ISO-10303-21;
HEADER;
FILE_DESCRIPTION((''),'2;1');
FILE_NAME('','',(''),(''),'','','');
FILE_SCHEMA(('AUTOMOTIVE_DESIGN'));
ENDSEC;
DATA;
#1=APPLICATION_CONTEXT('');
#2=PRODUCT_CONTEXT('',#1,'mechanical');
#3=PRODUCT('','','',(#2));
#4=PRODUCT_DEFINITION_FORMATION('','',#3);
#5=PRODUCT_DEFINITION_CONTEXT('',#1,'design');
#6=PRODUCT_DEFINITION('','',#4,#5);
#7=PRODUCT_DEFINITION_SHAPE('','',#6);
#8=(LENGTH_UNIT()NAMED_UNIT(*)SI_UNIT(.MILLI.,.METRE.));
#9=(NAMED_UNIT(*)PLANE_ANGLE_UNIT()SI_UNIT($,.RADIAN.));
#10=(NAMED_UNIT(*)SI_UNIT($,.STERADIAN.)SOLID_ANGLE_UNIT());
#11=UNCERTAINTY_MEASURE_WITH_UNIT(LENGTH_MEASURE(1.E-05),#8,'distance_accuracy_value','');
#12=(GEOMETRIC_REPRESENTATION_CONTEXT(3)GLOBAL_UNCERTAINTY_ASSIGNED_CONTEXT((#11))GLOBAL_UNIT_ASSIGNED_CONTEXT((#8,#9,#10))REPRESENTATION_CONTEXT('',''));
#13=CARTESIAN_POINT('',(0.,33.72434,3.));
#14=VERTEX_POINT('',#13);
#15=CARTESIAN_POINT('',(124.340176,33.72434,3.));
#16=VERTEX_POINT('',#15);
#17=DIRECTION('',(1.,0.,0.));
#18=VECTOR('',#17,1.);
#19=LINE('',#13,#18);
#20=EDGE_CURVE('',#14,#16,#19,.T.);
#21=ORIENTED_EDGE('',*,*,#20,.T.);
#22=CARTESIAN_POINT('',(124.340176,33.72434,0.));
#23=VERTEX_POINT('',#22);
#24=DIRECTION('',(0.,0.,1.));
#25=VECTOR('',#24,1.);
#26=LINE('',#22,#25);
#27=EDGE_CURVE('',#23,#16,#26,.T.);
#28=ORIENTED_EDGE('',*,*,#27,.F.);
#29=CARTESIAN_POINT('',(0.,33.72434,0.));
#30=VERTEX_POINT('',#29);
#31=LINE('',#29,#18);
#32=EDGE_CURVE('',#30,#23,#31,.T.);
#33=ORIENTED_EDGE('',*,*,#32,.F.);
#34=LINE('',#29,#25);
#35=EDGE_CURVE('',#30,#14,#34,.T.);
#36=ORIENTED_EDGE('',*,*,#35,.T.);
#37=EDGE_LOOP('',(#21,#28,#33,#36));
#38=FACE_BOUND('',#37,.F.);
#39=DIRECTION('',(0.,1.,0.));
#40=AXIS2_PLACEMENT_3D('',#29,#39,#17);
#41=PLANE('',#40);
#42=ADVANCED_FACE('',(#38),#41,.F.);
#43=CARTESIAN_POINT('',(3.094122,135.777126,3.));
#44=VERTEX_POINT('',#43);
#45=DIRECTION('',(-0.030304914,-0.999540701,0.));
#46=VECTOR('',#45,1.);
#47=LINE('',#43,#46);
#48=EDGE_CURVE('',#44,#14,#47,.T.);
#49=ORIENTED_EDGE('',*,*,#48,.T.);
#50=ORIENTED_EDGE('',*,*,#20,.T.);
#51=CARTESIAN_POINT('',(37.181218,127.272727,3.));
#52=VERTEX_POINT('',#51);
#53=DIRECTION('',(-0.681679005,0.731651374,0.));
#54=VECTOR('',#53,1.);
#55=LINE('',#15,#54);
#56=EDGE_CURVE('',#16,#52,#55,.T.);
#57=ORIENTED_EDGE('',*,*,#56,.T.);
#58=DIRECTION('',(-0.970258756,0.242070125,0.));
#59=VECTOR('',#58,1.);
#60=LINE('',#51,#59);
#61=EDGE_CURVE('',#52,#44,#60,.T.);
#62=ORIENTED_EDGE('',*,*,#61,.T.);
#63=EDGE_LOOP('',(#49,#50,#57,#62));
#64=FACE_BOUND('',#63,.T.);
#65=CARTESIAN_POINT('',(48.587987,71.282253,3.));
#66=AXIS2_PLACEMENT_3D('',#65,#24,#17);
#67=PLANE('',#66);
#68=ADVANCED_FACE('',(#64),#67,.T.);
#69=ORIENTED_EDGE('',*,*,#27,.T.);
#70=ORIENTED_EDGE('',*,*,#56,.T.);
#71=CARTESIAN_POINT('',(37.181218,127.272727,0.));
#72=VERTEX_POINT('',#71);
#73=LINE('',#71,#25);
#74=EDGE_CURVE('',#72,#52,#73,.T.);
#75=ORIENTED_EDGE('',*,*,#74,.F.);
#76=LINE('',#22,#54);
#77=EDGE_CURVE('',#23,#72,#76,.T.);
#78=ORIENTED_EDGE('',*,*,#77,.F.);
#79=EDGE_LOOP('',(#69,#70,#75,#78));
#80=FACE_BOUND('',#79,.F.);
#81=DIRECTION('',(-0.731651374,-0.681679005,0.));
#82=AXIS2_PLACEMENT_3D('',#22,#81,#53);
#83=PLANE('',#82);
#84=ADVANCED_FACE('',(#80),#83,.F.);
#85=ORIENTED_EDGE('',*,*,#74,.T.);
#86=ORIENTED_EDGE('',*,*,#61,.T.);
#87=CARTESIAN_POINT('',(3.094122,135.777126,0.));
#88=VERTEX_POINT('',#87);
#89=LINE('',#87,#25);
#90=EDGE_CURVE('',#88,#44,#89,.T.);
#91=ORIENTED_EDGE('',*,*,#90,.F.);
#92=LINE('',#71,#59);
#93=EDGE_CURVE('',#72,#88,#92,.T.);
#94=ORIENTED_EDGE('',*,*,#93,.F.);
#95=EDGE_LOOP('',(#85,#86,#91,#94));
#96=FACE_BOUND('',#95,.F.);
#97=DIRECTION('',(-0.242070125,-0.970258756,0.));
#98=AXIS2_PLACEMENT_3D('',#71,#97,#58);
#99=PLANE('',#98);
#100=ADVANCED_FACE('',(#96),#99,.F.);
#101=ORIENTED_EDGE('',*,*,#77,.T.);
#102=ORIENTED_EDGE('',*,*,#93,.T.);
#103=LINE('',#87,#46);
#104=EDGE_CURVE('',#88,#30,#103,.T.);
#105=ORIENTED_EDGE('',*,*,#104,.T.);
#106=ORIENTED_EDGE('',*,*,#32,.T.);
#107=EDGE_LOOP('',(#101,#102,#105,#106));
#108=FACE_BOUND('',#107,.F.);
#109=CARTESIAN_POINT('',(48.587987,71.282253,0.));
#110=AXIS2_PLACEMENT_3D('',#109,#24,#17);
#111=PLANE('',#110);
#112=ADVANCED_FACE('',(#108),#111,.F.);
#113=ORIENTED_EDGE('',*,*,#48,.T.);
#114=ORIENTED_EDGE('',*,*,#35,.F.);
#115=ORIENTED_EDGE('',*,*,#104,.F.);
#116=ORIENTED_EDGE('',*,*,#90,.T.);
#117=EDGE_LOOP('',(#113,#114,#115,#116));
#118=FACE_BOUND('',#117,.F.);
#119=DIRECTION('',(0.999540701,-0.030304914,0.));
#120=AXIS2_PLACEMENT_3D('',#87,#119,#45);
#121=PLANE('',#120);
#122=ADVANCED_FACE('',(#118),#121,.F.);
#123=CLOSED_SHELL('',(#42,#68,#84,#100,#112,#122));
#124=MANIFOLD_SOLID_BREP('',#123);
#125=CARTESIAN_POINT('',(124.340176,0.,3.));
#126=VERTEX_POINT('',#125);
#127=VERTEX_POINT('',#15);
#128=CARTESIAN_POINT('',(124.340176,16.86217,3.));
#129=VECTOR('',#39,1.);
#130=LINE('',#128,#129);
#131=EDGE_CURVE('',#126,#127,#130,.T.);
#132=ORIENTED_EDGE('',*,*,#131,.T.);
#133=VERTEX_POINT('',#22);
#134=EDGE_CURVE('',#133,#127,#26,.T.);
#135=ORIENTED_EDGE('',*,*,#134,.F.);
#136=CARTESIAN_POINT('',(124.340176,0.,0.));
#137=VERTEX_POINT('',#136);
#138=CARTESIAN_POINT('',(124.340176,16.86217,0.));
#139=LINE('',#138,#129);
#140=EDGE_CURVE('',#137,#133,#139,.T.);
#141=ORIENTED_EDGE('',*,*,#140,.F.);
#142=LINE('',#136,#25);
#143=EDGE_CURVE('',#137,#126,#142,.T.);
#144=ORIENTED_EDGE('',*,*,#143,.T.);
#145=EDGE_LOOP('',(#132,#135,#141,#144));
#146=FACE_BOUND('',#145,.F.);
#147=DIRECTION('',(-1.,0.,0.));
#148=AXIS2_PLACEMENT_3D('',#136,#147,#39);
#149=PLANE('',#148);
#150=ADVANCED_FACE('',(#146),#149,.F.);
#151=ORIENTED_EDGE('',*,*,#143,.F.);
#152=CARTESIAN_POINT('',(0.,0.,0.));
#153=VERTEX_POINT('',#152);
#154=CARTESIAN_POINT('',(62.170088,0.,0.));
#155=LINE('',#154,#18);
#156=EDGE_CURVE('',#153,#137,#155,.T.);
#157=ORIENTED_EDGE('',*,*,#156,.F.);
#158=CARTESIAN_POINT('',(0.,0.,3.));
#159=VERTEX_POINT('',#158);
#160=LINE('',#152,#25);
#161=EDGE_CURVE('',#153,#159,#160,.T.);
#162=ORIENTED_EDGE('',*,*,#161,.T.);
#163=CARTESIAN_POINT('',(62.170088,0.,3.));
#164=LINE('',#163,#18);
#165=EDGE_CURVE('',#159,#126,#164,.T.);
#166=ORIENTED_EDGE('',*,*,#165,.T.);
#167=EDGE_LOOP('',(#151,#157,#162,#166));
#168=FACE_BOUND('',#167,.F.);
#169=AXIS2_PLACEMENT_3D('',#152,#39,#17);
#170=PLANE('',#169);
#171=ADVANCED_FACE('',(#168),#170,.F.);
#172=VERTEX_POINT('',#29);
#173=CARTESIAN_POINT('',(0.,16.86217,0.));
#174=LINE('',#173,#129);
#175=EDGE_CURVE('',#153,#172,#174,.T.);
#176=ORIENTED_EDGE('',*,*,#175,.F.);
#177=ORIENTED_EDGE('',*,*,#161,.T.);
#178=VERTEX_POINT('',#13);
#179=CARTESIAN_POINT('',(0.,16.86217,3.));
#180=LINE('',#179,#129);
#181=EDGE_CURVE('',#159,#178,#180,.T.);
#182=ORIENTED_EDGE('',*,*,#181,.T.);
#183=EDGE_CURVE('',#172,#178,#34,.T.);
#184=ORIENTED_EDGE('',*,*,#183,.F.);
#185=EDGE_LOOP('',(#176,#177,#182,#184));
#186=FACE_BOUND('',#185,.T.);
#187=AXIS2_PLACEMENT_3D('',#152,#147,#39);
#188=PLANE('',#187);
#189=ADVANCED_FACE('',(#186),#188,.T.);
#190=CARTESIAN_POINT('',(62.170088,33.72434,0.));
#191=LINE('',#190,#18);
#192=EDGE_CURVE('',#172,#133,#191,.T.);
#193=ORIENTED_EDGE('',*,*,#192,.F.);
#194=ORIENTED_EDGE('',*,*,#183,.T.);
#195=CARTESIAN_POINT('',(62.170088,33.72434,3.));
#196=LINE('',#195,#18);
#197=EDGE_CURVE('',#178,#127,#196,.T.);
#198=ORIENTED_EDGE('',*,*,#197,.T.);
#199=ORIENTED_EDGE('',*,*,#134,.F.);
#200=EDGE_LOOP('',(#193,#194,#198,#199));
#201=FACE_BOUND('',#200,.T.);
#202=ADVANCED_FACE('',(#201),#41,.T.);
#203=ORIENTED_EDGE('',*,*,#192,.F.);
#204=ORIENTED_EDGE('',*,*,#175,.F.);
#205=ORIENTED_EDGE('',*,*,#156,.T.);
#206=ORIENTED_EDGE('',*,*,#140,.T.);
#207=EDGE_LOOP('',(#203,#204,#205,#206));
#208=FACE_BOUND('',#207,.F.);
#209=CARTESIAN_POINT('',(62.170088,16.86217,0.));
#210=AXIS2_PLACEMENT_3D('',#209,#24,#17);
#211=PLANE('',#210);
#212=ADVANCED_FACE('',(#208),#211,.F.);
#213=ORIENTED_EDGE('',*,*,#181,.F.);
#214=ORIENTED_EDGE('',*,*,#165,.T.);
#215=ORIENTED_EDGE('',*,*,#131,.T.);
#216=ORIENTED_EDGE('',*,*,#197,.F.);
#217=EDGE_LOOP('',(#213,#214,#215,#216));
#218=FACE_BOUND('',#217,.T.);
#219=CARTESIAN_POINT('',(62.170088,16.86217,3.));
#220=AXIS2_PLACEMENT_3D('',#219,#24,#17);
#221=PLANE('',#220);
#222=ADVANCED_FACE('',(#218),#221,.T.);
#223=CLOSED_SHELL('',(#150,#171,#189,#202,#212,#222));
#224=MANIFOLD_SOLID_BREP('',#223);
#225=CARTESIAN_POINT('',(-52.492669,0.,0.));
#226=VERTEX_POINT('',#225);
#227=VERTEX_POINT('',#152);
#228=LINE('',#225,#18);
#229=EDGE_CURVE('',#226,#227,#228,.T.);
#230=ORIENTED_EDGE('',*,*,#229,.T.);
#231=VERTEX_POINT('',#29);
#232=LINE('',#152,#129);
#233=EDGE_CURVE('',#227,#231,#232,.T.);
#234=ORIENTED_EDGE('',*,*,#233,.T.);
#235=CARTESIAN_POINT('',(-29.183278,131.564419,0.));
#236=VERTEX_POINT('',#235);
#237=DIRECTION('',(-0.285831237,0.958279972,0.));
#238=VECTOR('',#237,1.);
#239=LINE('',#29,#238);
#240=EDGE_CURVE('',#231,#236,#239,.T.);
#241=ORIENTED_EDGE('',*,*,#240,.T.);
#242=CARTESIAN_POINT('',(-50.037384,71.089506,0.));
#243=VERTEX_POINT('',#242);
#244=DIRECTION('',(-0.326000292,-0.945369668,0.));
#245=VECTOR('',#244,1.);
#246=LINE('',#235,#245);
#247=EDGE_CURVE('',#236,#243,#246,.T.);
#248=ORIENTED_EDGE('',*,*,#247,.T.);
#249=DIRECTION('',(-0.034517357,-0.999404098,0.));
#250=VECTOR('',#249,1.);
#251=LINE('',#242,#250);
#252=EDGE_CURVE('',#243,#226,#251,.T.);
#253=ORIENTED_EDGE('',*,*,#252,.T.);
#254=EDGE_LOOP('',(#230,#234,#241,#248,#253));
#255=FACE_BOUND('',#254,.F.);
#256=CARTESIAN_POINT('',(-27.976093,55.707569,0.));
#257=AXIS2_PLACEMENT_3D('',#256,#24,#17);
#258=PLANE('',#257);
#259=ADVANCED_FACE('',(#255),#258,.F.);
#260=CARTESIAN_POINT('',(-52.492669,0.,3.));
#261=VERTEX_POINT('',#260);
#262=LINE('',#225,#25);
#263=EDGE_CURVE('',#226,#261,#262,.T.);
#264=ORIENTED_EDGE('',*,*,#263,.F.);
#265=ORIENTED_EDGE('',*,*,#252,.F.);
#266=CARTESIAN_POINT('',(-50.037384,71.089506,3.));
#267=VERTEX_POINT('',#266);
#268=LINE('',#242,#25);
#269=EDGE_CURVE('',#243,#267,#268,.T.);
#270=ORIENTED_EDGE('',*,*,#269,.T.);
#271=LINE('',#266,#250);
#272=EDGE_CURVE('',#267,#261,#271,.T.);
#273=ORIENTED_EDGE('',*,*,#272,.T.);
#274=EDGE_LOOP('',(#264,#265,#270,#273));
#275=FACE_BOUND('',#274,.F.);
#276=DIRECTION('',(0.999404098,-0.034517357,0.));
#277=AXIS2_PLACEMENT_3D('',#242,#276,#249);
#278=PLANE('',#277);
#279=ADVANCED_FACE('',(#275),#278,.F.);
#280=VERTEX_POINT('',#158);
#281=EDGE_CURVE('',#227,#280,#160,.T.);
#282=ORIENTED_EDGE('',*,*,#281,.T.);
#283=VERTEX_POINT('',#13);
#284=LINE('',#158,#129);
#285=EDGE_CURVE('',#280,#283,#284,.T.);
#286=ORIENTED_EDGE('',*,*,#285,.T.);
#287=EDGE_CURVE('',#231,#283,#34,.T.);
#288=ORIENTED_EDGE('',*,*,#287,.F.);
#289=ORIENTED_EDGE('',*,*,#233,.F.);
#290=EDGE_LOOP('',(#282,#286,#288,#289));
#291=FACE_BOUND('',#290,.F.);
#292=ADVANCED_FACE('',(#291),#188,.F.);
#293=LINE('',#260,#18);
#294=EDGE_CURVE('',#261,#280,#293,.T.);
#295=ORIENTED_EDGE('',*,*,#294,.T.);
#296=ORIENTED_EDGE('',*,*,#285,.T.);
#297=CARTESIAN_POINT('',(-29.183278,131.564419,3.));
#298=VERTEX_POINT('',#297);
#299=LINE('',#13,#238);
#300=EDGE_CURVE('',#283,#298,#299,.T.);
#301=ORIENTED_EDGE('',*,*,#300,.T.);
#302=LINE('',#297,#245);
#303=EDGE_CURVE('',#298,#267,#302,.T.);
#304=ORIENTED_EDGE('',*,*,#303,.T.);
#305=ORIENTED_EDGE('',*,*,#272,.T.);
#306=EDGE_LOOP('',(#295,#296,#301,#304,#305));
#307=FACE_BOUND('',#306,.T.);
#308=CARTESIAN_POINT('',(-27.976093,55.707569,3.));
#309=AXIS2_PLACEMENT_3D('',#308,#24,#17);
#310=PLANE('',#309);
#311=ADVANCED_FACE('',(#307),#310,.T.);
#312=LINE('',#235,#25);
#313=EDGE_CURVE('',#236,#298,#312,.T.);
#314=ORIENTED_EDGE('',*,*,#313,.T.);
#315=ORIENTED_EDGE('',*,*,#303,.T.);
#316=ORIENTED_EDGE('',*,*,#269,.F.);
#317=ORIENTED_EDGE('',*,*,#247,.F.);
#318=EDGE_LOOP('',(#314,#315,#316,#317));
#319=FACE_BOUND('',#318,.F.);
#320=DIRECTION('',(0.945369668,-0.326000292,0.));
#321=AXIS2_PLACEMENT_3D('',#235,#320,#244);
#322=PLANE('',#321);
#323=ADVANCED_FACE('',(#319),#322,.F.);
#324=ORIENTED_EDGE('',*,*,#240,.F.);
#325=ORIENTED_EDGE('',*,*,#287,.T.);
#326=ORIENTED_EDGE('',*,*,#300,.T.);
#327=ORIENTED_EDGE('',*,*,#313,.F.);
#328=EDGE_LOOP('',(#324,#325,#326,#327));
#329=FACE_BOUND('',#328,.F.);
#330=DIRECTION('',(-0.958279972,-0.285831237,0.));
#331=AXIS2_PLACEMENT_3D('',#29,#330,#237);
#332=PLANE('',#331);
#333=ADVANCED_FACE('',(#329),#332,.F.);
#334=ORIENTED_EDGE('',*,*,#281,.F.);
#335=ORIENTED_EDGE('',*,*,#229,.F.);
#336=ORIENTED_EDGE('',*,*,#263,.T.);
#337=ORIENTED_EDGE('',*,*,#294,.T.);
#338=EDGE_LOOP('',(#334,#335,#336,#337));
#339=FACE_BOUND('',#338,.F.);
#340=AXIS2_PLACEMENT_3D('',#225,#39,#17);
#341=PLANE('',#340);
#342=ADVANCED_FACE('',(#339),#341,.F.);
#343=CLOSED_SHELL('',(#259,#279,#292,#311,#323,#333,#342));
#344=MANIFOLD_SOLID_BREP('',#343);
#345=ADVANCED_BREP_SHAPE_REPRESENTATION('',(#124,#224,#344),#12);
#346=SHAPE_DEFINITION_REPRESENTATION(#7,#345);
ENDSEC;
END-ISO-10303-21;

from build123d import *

# Parameters (mm, degrees)
F1_DEPTH = 3
F0_W     = 124.340176
F0_H     = 33.72434
F2_DEPTH = 3


with BuildPart() as f1:
    # F0 (on Top) → F1 (new body)
    with BuildSketch(Plane.XY):
        Polygon((-52.492669, 0), (0, 0), (0, 33.72434), (-29.183278, 131.564419), (-50.037384, 71.089506), align=None)
        Polygon((3.094122, 135.777126), (0, 33.72434), (124.340176, 33.72434), (37.181218, 127.272727), align=None)
    extrude(amount=F1_DEPTH)


with BuildPart() as f2:
    # F0 (on Top) → F2 (new body)
    with BuildSketch(Plane.XY):
        with Locations((62.170088, 16.86217)):
            Rectangle(F0_W, F0_H)
    extrude(amount=F2_DEPTH)


solid = Compound([f1.part, f2.part])
